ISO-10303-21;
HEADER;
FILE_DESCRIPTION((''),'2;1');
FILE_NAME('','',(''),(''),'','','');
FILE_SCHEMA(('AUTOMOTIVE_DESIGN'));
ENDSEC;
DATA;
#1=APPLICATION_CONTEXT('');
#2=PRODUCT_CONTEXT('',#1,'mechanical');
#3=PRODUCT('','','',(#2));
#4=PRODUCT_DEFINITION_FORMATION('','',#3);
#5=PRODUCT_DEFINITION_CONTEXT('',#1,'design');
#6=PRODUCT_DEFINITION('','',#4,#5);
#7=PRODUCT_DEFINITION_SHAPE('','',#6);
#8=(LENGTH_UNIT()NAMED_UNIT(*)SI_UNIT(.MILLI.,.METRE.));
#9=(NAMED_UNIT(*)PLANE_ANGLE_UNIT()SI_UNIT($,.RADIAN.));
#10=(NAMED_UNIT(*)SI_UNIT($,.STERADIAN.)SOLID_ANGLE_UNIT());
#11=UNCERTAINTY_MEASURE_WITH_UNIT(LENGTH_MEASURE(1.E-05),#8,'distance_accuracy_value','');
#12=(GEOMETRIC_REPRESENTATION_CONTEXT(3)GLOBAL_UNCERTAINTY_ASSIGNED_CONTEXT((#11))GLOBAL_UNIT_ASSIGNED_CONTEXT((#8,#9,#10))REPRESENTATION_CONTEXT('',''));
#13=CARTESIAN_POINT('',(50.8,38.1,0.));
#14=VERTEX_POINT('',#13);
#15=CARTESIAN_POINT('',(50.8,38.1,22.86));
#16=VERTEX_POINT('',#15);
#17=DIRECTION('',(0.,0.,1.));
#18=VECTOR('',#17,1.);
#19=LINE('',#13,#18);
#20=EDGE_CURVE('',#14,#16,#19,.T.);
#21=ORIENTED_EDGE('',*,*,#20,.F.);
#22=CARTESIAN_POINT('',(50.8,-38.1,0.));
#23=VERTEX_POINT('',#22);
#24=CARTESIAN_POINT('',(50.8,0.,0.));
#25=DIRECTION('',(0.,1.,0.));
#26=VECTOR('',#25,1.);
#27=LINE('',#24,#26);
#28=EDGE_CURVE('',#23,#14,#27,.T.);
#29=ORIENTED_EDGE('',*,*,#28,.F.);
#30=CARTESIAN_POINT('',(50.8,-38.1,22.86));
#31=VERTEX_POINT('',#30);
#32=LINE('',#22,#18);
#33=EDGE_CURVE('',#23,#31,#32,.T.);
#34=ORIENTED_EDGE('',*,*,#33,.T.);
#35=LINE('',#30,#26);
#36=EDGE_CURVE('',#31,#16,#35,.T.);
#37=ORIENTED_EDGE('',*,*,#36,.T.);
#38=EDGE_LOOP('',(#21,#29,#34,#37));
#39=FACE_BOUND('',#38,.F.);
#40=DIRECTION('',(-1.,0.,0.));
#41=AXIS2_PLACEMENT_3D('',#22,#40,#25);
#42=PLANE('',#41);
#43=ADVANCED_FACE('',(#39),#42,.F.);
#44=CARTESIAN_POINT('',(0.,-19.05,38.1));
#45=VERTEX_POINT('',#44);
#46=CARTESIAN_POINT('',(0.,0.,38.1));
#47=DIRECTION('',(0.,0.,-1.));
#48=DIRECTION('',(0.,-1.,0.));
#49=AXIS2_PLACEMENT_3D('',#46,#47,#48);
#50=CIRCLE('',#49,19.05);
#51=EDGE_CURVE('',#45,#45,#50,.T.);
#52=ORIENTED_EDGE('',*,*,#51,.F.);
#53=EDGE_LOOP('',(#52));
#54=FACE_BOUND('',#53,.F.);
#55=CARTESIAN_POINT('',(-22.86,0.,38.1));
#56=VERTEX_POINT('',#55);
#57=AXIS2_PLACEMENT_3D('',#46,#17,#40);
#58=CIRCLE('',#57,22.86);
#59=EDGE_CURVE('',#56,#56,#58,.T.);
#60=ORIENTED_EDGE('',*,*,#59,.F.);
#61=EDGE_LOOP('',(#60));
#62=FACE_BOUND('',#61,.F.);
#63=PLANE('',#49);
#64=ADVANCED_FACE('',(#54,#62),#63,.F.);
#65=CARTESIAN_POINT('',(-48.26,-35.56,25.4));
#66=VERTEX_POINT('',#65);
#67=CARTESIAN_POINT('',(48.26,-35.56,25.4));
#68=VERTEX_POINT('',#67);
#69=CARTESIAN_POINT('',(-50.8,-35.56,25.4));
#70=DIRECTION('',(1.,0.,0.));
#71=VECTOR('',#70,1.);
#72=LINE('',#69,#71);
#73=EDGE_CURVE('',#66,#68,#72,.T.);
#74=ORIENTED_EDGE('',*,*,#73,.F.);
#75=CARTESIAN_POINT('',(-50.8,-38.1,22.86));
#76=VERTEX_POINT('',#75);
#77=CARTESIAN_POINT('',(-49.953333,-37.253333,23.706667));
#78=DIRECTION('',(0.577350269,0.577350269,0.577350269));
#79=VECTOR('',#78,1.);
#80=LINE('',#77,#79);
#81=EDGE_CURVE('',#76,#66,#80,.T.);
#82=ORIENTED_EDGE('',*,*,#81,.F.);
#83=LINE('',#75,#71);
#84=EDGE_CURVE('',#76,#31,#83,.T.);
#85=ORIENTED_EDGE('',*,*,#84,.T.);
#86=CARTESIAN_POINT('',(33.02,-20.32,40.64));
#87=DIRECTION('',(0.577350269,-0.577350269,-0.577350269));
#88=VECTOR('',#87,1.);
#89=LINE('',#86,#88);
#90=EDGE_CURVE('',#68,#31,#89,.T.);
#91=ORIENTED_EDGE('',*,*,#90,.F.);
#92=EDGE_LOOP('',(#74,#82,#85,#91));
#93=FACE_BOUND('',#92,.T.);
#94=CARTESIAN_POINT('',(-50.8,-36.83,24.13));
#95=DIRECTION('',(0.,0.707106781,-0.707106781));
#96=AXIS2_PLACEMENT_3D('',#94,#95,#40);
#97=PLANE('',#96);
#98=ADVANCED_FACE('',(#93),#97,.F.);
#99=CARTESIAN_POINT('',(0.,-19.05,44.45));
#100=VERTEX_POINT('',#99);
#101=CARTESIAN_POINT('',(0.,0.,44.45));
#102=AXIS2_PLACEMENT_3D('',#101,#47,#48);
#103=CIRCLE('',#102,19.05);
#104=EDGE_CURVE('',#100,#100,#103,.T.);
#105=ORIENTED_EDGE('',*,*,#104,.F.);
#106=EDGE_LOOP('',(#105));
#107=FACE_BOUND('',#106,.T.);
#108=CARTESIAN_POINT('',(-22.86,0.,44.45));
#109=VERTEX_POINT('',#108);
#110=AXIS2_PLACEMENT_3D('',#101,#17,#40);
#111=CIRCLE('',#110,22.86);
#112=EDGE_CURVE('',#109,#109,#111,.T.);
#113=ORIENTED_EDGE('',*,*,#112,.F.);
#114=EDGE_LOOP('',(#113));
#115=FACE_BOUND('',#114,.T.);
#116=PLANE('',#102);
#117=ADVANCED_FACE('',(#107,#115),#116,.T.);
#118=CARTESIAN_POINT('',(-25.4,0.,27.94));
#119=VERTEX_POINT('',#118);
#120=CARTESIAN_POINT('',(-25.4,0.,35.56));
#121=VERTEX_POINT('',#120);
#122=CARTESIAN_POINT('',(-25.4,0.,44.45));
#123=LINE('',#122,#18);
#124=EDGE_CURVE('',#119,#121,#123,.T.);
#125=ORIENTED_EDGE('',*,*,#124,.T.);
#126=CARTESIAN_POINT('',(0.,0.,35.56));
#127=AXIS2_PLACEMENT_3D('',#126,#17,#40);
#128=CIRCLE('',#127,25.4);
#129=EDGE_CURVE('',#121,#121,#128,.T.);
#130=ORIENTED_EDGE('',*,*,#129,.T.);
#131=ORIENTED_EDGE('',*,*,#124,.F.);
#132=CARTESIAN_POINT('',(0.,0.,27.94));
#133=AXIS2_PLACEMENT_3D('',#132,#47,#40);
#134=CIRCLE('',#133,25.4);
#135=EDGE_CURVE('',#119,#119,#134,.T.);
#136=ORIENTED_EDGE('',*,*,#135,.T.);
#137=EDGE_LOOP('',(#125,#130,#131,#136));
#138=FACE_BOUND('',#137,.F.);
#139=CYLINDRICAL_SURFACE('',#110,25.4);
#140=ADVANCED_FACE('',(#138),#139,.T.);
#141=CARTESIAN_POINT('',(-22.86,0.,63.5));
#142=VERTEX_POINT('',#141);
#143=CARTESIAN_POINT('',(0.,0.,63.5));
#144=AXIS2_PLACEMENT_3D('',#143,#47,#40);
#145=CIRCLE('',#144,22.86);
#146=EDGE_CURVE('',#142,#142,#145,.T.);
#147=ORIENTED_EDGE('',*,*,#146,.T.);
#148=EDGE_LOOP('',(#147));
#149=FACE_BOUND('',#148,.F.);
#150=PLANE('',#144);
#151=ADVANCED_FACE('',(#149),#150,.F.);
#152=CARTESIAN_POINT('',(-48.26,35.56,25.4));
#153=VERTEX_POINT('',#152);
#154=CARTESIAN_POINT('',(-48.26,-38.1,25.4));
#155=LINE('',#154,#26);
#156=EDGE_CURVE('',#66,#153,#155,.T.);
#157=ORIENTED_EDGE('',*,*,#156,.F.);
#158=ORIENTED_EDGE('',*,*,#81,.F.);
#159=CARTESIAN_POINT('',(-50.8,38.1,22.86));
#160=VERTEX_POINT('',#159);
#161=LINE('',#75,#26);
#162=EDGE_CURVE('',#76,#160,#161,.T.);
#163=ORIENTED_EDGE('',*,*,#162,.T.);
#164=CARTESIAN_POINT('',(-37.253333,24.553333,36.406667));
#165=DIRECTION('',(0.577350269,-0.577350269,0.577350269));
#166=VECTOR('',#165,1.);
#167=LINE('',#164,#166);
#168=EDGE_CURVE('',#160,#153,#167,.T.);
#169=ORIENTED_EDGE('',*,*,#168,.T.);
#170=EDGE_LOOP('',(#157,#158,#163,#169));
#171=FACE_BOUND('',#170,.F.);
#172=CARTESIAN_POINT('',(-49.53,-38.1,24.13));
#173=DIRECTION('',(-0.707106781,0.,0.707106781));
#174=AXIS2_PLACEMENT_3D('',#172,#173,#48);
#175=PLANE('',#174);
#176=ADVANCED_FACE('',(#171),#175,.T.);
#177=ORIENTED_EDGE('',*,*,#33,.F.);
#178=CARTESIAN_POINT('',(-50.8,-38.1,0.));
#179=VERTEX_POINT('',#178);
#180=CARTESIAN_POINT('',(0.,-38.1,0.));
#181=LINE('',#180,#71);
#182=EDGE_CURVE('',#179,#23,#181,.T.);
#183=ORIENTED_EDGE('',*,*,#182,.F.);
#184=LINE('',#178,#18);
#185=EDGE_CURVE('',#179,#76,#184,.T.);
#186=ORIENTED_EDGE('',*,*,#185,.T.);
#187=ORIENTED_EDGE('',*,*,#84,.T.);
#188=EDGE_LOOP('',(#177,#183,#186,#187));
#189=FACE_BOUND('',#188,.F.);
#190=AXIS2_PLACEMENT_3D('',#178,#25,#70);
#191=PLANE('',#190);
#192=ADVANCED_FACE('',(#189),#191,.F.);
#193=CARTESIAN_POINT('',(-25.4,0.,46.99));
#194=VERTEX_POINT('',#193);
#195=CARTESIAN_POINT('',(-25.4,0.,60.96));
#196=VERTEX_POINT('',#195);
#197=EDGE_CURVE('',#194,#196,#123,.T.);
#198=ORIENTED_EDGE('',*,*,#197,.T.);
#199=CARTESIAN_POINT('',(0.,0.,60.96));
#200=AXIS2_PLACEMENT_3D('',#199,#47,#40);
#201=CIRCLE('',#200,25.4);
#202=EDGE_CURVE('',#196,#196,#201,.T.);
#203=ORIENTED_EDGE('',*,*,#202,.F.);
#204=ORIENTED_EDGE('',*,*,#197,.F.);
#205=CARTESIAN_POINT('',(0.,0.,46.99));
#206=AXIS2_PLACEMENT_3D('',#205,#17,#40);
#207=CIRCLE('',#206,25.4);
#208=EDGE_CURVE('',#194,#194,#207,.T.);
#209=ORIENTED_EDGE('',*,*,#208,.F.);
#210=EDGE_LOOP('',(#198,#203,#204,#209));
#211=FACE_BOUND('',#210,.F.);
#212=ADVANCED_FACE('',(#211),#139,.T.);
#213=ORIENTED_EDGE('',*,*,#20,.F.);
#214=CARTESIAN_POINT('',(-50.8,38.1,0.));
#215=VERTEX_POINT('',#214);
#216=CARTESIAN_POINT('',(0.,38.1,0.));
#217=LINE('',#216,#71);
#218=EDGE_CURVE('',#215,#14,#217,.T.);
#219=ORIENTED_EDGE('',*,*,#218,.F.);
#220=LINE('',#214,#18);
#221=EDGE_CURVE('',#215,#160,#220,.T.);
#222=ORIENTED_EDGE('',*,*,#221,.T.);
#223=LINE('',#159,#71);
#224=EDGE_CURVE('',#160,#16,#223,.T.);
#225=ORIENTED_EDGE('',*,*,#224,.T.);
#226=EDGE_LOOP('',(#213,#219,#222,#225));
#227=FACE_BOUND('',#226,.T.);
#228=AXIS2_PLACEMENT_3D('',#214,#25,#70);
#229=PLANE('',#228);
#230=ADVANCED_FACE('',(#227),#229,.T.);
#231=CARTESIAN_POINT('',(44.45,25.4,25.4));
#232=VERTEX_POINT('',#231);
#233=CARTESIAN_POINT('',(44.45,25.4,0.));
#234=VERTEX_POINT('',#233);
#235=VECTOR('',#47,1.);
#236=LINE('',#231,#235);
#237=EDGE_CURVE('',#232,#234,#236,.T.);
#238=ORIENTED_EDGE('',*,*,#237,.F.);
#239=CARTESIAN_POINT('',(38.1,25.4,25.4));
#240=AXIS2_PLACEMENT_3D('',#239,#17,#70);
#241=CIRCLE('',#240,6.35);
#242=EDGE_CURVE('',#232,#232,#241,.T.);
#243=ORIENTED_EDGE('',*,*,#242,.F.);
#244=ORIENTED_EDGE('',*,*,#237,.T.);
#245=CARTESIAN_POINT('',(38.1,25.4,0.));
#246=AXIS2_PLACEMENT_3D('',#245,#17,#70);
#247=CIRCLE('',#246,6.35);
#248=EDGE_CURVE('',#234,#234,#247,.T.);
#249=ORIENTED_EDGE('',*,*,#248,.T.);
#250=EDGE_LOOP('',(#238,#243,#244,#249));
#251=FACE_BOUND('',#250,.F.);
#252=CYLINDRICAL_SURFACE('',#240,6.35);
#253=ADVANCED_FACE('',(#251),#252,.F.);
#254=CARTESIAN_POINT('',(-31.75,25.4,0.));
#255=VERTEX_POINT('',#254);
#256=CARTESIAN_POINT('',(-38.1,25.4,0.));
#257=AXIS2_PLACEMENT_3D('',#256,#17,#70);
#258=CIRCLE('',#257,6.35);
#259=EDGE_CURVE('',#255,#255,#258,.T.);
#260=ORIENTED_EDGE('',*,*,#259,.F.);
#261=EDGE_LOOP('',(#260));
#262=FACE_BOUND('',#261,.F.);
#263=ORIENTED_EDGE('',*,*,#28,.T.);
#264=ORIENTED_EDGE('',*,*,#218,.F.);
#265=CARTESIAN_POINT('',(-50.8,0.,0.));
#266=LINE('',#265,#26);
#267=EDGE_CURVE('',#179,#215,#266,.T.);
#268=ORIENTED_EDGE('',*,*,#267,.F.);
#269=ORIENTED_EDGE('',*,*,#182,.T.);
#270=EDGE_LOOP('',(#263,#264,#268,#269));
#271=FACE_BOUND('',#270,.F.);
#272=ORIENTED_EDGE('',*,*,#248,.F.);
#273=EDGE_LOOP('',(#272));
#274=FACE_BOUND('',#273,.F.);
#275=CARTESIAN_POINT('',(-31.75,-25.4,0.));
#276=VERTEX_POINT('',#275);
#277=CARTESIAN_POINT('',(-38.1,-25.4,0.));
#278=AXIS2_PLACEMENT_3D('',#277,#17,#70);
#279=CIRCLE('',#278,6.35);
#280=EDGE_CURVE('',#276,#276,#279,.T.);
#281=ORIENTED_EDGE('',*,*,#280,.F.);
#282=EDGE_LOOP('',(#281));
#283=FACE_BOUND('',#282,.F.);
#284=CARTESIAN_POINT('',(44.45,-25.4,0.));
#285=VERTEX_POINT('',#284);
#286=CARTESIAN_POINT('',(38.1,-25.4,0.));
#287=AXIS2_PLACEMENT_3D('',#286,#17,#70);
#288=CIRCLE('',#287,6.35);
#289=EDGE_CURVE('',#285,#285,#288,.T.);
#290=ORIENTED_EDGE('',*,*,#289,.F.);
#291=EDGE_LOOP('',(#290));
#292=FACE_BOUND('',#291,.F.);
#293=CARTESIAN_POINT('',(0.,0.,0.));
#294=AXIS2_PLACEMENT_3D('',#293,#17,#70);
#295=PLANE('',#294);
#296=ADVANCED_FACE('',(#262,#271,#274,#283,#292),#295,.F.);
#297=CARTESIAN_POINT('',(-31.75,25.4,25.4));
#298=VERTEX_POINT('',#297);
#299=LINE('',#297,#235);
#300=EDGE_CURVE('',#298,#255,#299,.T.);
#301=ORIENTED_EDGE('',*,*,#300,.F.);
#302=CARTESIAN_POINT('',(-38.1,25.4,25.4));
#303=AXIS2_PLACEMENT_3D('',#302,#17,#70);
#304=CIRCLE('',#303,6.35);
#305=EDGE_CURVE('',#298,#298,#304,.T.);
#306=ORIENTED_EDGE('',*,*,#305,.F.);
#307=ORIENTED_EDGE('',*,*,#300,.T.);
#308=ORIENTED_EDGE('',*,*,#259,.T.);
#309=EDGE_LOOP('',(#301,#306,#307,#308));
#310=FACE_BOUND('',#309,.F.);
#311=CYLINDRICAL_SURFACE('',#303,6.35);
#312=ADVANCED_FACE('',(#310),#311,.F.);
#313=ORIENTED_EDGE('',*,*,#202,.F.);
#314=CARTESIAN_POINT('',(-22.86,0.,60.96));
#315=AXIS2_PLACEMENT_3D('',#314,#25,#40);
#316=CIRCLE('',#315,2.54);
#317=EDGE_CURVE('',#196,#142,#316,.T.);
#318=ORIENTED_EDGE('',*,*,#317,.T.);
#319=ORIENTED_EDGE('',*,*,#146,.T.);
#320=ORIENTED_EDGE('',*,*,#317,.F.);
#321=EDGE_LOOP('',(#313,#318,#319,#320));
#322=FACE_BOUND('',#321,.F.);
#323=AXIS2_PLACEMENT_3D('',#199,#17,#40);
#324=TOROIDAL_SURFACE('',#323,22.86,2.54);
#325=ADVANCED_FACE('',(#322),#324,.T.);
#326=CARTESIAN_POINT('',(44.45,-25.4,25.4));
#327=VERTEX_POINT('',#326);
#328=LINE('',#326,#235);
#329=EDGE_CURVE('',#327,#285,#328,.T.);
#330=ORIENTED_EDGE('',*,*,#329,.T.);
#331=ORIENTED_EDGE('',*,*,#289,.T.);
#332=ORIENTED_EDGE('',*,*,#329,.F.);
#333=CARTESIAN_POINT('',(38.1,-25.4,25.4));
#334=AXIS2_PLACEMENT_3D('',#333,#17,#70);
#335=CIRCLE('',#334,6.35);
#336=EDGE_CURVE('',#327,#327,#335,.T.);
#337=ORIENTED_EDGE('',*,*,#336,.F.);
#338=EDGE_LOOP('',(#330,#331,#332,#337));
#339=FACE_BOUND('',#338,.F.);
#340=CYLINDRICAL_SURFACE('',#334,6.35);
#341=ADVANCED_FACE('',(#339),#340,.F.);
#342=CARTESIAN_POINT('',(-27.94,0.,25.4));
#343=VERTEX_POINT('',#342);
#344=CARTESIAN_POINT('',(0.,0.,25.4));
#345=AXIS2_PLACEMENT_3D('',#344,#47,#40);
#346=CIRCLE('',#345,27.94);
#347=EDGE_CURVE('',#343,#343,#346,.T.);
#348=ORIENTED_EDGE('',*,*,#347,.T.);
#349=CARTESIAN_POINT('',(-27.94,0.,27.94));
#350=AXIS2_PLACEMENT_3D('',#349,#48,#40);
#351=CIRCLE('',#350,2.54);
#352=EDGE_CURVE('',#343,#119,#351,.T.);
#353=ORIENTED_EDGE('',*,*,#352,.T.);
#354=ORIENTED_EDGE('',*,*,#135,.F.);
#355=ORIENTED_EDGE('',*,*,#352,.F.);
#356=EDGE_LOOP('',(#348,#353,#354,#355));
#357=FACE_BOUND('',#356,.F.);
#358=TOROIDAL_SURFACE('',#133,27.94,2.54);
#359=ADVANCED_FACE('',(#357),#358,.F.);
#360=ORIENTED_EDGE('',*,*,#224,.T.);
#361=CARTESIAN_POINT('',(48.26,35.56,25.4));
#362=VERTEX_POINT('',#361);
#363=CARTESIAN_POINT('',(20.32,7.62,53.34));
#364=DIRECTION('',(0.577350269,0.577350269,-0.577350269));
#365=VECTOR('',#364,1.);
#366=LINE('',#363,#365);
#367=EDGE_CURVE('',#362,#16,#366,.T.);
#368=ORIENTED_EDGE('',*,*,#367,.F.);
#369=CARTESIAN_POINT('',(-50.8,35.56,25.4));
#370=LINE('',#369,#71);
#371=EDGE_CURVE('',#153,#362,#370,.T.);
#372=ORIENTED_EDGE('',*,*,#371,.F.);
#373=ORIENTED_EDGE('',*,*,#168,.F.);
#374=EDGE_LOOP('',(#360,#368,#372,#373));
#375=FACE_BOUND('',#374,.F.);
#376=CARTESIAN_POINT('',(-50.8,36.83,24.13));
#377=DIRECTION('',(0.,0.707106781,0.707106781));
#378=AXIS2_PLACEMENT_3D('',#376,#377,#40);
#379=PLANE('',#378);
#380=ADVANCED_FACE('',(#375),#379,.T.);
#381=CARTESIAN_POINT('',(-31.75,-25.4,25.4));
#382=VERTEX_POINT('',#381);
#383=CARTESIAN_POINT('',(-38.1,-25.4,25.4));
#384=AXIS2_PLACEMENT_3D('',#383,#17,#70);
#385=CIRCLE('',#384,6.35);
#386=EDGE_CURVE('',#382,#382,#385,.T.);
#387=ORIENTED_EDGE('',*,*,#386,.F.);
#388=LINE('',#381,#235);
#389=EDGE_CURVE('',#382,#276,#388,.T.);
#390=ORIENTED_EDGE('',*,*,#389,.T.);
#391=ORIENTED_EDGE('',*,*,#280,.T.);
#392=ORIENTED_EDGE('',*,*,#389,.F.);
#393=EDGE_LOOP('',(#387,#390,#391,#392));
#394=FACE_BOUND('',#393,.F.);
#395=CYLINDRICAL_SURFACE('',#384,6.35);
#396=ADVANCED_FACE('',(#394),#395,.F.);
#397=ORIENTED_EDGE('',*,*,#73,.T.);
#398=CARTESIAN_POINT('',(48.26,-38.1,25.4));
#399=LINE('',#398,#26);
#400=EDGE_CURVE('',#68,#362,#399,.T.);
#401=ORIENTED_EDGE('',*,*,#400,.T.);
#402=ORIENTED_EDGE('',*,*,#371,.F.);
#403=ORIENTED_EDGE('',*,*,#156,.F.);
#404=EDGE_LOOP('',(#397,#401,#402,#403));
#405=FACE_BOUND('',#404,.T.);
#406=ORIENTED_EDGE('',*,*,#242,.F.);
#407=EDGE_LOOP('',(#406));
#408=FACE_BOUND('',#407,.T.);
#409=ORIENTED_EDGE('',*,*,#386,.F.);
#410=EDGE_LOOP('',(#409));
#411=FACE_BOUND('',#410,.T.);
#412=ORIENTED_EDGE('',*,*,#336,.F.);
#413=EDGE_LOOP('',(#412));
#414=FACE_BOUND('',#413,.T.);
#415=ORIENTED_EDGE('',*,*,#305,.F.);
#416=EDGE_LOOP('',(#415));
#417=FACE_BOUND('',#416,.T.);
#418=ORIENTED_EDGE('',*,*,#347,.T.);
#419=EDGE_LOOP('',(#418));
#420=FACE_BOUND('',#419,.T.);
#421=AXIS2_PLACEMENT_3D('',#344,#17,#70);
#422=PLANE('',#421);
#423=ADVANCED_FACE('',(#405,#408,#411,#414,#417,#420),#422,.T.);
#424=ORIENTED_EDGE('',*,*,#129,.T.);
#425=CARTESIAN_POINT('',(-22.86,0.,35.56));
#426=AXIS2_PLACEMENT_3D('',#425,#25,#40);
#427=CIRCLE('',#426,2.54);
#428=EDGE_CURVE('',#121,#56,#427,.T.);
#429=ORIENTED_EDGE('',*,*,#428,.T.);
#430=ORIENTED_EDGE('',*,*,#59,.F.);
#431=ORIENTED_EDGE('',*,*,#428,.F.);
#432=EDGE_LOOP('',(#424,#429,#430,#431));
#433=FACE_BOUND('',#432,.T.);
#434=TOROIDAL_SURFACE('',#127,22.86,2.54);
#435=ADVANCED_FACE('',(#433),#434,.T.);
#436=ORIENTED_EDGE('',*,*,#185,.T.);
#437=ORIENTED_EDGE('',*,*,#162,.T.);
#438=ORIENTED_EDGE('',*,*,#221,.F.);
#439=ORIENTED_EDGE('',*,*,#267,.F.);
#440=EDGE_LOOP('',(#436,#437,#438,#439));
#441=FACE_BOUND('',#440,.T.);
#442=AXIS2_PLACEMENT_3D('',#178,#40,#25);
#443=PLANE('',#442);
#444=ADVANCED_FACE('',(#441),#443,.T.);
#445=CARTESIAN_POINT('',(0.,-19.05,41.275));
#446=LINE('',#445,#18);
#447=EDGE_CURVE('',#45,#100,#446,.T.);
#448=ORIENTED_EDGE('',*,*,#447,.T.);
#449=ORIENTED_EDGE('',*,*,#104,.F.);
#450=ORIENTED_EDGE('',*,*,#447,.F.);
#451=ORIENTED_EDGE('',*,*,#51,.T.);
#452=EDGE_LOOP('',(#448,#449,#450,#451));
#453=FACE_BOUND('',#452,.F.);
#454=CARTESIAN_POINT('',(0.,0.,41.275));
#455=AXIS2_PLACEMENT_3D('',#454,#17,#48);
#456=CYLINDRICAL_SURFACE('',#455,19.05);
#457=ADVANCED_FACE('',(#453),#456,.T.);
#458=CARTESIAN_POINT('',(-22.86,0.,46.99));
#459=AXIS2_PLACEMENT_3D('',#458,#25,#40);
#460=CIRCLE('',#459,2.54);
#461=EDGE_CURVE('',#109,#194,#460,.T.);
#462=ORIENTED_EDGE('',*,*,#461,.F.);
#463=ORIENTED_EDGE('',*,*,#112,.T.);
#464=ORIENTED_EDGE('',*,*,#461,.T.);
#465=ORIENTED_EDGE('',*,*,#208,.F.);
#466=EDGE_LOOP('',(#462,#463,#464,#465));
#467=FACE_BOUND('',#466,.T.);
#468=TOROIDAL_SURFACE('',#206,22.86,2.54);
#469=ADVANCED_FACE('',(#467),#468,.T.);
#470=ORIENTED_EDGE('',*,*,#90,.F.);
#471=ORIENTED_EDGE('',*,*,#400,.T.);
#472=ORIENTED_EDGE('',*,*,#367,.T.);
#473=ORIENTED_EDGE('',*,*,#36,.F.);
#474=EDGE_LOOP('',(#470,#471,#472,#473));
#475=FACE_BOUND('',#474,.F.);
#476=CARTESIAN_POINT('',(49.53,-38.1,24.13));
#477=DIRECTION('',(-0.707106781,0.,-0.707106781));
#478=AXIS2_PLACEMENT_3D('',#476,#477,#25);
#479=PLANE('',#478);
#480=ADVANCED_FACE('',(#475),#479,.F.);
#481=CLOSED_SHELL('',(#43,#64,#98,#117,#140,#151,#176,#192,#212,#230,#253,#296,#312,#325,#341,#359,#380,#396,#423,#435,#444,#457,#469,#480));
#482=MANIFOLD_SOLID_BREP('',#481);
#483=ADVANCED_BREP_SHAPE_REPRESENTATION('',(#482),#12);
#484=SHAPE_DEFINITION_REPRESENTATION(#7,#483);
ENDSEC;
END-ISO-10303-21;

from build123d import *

# Parameters (mm, degrees)
F0_W     = 101.6
F0_H     = 76.2
F1_DEPTH = 25.4
F2_R     = 6.35
F3_DEPTH = 25.4
F4_W     = 25.4
F4_H     = 38.1
F6_W     = 45.4741939974
F6_H     = 6.35
F8_SIZE  = 2.54
F9_R     = 2.54


with BuildPart() as f1:
    # F0 (on Top) → F1 (new body)
    with BuildSketch(Plane.XY):
        Rectangle(F0_W, F0_H)
    extrude(amount=F1_DEPTH)

    # F2 (on face) → F3 (cut)
    with BuildSketch(Plane.XY.offset(25.4)):
        with Locations((-38.1, 25.4)):
            Circle(F2_R)
        with Locations((38.1, 25.4)):
            Circle(F2_R)
        with Locations((38.1, -25.4)):
            Circle(F2_R)
        with Locations((-38.1, -25.4)):
            Circle(F2_R)
    extrude(amount=-F3_DEPTH, mode=Mode.SUBTRACT)

    # F4 (on Front) → F5 (revolve)
    with BuildSketch(Plane.XZ):
        with Locations((-12.7, 44.45)):
            Rectangle(F4_W, F4_H)
    revolve(axis=Axis((0, 0, 44.45), (0, 0, -1)))

    # F6 (on Right) → F7 (revolve, cut)
    with BuildSketch(Plane.YZ):
        with Locations((-41.7870969987, 41.275)):
            Rectangle(F6_W, F6_H)
    revolve(axis=Axis((0, 0, 63.5), (0, 0, -1)), mode=Mode.SUBTRACT)

    # F8
    f8_edges = [f1.edges().sort_by_distance(p)[0] for p in [
        (50.8, 0, 25.4),
        (0, 38.1, 25.4),
        (-50.8, 0, 25.4),
        (0, -38.1, 25.4),
    ]]
    chamfer(f8_edges, length=F8_SIZE)

    # F9
    f9_edges = [f1.edges().sort_by_distance(p)[0] for p in [
        (25.4, 0, 44.45),
        (25.4, 0, 38.1),
        (25.4, 0, 63.5),
        (25.4, 0, 25.4),
    ]]
    fillet(f9_edges, radius=F9_R)


solid = f1.part
